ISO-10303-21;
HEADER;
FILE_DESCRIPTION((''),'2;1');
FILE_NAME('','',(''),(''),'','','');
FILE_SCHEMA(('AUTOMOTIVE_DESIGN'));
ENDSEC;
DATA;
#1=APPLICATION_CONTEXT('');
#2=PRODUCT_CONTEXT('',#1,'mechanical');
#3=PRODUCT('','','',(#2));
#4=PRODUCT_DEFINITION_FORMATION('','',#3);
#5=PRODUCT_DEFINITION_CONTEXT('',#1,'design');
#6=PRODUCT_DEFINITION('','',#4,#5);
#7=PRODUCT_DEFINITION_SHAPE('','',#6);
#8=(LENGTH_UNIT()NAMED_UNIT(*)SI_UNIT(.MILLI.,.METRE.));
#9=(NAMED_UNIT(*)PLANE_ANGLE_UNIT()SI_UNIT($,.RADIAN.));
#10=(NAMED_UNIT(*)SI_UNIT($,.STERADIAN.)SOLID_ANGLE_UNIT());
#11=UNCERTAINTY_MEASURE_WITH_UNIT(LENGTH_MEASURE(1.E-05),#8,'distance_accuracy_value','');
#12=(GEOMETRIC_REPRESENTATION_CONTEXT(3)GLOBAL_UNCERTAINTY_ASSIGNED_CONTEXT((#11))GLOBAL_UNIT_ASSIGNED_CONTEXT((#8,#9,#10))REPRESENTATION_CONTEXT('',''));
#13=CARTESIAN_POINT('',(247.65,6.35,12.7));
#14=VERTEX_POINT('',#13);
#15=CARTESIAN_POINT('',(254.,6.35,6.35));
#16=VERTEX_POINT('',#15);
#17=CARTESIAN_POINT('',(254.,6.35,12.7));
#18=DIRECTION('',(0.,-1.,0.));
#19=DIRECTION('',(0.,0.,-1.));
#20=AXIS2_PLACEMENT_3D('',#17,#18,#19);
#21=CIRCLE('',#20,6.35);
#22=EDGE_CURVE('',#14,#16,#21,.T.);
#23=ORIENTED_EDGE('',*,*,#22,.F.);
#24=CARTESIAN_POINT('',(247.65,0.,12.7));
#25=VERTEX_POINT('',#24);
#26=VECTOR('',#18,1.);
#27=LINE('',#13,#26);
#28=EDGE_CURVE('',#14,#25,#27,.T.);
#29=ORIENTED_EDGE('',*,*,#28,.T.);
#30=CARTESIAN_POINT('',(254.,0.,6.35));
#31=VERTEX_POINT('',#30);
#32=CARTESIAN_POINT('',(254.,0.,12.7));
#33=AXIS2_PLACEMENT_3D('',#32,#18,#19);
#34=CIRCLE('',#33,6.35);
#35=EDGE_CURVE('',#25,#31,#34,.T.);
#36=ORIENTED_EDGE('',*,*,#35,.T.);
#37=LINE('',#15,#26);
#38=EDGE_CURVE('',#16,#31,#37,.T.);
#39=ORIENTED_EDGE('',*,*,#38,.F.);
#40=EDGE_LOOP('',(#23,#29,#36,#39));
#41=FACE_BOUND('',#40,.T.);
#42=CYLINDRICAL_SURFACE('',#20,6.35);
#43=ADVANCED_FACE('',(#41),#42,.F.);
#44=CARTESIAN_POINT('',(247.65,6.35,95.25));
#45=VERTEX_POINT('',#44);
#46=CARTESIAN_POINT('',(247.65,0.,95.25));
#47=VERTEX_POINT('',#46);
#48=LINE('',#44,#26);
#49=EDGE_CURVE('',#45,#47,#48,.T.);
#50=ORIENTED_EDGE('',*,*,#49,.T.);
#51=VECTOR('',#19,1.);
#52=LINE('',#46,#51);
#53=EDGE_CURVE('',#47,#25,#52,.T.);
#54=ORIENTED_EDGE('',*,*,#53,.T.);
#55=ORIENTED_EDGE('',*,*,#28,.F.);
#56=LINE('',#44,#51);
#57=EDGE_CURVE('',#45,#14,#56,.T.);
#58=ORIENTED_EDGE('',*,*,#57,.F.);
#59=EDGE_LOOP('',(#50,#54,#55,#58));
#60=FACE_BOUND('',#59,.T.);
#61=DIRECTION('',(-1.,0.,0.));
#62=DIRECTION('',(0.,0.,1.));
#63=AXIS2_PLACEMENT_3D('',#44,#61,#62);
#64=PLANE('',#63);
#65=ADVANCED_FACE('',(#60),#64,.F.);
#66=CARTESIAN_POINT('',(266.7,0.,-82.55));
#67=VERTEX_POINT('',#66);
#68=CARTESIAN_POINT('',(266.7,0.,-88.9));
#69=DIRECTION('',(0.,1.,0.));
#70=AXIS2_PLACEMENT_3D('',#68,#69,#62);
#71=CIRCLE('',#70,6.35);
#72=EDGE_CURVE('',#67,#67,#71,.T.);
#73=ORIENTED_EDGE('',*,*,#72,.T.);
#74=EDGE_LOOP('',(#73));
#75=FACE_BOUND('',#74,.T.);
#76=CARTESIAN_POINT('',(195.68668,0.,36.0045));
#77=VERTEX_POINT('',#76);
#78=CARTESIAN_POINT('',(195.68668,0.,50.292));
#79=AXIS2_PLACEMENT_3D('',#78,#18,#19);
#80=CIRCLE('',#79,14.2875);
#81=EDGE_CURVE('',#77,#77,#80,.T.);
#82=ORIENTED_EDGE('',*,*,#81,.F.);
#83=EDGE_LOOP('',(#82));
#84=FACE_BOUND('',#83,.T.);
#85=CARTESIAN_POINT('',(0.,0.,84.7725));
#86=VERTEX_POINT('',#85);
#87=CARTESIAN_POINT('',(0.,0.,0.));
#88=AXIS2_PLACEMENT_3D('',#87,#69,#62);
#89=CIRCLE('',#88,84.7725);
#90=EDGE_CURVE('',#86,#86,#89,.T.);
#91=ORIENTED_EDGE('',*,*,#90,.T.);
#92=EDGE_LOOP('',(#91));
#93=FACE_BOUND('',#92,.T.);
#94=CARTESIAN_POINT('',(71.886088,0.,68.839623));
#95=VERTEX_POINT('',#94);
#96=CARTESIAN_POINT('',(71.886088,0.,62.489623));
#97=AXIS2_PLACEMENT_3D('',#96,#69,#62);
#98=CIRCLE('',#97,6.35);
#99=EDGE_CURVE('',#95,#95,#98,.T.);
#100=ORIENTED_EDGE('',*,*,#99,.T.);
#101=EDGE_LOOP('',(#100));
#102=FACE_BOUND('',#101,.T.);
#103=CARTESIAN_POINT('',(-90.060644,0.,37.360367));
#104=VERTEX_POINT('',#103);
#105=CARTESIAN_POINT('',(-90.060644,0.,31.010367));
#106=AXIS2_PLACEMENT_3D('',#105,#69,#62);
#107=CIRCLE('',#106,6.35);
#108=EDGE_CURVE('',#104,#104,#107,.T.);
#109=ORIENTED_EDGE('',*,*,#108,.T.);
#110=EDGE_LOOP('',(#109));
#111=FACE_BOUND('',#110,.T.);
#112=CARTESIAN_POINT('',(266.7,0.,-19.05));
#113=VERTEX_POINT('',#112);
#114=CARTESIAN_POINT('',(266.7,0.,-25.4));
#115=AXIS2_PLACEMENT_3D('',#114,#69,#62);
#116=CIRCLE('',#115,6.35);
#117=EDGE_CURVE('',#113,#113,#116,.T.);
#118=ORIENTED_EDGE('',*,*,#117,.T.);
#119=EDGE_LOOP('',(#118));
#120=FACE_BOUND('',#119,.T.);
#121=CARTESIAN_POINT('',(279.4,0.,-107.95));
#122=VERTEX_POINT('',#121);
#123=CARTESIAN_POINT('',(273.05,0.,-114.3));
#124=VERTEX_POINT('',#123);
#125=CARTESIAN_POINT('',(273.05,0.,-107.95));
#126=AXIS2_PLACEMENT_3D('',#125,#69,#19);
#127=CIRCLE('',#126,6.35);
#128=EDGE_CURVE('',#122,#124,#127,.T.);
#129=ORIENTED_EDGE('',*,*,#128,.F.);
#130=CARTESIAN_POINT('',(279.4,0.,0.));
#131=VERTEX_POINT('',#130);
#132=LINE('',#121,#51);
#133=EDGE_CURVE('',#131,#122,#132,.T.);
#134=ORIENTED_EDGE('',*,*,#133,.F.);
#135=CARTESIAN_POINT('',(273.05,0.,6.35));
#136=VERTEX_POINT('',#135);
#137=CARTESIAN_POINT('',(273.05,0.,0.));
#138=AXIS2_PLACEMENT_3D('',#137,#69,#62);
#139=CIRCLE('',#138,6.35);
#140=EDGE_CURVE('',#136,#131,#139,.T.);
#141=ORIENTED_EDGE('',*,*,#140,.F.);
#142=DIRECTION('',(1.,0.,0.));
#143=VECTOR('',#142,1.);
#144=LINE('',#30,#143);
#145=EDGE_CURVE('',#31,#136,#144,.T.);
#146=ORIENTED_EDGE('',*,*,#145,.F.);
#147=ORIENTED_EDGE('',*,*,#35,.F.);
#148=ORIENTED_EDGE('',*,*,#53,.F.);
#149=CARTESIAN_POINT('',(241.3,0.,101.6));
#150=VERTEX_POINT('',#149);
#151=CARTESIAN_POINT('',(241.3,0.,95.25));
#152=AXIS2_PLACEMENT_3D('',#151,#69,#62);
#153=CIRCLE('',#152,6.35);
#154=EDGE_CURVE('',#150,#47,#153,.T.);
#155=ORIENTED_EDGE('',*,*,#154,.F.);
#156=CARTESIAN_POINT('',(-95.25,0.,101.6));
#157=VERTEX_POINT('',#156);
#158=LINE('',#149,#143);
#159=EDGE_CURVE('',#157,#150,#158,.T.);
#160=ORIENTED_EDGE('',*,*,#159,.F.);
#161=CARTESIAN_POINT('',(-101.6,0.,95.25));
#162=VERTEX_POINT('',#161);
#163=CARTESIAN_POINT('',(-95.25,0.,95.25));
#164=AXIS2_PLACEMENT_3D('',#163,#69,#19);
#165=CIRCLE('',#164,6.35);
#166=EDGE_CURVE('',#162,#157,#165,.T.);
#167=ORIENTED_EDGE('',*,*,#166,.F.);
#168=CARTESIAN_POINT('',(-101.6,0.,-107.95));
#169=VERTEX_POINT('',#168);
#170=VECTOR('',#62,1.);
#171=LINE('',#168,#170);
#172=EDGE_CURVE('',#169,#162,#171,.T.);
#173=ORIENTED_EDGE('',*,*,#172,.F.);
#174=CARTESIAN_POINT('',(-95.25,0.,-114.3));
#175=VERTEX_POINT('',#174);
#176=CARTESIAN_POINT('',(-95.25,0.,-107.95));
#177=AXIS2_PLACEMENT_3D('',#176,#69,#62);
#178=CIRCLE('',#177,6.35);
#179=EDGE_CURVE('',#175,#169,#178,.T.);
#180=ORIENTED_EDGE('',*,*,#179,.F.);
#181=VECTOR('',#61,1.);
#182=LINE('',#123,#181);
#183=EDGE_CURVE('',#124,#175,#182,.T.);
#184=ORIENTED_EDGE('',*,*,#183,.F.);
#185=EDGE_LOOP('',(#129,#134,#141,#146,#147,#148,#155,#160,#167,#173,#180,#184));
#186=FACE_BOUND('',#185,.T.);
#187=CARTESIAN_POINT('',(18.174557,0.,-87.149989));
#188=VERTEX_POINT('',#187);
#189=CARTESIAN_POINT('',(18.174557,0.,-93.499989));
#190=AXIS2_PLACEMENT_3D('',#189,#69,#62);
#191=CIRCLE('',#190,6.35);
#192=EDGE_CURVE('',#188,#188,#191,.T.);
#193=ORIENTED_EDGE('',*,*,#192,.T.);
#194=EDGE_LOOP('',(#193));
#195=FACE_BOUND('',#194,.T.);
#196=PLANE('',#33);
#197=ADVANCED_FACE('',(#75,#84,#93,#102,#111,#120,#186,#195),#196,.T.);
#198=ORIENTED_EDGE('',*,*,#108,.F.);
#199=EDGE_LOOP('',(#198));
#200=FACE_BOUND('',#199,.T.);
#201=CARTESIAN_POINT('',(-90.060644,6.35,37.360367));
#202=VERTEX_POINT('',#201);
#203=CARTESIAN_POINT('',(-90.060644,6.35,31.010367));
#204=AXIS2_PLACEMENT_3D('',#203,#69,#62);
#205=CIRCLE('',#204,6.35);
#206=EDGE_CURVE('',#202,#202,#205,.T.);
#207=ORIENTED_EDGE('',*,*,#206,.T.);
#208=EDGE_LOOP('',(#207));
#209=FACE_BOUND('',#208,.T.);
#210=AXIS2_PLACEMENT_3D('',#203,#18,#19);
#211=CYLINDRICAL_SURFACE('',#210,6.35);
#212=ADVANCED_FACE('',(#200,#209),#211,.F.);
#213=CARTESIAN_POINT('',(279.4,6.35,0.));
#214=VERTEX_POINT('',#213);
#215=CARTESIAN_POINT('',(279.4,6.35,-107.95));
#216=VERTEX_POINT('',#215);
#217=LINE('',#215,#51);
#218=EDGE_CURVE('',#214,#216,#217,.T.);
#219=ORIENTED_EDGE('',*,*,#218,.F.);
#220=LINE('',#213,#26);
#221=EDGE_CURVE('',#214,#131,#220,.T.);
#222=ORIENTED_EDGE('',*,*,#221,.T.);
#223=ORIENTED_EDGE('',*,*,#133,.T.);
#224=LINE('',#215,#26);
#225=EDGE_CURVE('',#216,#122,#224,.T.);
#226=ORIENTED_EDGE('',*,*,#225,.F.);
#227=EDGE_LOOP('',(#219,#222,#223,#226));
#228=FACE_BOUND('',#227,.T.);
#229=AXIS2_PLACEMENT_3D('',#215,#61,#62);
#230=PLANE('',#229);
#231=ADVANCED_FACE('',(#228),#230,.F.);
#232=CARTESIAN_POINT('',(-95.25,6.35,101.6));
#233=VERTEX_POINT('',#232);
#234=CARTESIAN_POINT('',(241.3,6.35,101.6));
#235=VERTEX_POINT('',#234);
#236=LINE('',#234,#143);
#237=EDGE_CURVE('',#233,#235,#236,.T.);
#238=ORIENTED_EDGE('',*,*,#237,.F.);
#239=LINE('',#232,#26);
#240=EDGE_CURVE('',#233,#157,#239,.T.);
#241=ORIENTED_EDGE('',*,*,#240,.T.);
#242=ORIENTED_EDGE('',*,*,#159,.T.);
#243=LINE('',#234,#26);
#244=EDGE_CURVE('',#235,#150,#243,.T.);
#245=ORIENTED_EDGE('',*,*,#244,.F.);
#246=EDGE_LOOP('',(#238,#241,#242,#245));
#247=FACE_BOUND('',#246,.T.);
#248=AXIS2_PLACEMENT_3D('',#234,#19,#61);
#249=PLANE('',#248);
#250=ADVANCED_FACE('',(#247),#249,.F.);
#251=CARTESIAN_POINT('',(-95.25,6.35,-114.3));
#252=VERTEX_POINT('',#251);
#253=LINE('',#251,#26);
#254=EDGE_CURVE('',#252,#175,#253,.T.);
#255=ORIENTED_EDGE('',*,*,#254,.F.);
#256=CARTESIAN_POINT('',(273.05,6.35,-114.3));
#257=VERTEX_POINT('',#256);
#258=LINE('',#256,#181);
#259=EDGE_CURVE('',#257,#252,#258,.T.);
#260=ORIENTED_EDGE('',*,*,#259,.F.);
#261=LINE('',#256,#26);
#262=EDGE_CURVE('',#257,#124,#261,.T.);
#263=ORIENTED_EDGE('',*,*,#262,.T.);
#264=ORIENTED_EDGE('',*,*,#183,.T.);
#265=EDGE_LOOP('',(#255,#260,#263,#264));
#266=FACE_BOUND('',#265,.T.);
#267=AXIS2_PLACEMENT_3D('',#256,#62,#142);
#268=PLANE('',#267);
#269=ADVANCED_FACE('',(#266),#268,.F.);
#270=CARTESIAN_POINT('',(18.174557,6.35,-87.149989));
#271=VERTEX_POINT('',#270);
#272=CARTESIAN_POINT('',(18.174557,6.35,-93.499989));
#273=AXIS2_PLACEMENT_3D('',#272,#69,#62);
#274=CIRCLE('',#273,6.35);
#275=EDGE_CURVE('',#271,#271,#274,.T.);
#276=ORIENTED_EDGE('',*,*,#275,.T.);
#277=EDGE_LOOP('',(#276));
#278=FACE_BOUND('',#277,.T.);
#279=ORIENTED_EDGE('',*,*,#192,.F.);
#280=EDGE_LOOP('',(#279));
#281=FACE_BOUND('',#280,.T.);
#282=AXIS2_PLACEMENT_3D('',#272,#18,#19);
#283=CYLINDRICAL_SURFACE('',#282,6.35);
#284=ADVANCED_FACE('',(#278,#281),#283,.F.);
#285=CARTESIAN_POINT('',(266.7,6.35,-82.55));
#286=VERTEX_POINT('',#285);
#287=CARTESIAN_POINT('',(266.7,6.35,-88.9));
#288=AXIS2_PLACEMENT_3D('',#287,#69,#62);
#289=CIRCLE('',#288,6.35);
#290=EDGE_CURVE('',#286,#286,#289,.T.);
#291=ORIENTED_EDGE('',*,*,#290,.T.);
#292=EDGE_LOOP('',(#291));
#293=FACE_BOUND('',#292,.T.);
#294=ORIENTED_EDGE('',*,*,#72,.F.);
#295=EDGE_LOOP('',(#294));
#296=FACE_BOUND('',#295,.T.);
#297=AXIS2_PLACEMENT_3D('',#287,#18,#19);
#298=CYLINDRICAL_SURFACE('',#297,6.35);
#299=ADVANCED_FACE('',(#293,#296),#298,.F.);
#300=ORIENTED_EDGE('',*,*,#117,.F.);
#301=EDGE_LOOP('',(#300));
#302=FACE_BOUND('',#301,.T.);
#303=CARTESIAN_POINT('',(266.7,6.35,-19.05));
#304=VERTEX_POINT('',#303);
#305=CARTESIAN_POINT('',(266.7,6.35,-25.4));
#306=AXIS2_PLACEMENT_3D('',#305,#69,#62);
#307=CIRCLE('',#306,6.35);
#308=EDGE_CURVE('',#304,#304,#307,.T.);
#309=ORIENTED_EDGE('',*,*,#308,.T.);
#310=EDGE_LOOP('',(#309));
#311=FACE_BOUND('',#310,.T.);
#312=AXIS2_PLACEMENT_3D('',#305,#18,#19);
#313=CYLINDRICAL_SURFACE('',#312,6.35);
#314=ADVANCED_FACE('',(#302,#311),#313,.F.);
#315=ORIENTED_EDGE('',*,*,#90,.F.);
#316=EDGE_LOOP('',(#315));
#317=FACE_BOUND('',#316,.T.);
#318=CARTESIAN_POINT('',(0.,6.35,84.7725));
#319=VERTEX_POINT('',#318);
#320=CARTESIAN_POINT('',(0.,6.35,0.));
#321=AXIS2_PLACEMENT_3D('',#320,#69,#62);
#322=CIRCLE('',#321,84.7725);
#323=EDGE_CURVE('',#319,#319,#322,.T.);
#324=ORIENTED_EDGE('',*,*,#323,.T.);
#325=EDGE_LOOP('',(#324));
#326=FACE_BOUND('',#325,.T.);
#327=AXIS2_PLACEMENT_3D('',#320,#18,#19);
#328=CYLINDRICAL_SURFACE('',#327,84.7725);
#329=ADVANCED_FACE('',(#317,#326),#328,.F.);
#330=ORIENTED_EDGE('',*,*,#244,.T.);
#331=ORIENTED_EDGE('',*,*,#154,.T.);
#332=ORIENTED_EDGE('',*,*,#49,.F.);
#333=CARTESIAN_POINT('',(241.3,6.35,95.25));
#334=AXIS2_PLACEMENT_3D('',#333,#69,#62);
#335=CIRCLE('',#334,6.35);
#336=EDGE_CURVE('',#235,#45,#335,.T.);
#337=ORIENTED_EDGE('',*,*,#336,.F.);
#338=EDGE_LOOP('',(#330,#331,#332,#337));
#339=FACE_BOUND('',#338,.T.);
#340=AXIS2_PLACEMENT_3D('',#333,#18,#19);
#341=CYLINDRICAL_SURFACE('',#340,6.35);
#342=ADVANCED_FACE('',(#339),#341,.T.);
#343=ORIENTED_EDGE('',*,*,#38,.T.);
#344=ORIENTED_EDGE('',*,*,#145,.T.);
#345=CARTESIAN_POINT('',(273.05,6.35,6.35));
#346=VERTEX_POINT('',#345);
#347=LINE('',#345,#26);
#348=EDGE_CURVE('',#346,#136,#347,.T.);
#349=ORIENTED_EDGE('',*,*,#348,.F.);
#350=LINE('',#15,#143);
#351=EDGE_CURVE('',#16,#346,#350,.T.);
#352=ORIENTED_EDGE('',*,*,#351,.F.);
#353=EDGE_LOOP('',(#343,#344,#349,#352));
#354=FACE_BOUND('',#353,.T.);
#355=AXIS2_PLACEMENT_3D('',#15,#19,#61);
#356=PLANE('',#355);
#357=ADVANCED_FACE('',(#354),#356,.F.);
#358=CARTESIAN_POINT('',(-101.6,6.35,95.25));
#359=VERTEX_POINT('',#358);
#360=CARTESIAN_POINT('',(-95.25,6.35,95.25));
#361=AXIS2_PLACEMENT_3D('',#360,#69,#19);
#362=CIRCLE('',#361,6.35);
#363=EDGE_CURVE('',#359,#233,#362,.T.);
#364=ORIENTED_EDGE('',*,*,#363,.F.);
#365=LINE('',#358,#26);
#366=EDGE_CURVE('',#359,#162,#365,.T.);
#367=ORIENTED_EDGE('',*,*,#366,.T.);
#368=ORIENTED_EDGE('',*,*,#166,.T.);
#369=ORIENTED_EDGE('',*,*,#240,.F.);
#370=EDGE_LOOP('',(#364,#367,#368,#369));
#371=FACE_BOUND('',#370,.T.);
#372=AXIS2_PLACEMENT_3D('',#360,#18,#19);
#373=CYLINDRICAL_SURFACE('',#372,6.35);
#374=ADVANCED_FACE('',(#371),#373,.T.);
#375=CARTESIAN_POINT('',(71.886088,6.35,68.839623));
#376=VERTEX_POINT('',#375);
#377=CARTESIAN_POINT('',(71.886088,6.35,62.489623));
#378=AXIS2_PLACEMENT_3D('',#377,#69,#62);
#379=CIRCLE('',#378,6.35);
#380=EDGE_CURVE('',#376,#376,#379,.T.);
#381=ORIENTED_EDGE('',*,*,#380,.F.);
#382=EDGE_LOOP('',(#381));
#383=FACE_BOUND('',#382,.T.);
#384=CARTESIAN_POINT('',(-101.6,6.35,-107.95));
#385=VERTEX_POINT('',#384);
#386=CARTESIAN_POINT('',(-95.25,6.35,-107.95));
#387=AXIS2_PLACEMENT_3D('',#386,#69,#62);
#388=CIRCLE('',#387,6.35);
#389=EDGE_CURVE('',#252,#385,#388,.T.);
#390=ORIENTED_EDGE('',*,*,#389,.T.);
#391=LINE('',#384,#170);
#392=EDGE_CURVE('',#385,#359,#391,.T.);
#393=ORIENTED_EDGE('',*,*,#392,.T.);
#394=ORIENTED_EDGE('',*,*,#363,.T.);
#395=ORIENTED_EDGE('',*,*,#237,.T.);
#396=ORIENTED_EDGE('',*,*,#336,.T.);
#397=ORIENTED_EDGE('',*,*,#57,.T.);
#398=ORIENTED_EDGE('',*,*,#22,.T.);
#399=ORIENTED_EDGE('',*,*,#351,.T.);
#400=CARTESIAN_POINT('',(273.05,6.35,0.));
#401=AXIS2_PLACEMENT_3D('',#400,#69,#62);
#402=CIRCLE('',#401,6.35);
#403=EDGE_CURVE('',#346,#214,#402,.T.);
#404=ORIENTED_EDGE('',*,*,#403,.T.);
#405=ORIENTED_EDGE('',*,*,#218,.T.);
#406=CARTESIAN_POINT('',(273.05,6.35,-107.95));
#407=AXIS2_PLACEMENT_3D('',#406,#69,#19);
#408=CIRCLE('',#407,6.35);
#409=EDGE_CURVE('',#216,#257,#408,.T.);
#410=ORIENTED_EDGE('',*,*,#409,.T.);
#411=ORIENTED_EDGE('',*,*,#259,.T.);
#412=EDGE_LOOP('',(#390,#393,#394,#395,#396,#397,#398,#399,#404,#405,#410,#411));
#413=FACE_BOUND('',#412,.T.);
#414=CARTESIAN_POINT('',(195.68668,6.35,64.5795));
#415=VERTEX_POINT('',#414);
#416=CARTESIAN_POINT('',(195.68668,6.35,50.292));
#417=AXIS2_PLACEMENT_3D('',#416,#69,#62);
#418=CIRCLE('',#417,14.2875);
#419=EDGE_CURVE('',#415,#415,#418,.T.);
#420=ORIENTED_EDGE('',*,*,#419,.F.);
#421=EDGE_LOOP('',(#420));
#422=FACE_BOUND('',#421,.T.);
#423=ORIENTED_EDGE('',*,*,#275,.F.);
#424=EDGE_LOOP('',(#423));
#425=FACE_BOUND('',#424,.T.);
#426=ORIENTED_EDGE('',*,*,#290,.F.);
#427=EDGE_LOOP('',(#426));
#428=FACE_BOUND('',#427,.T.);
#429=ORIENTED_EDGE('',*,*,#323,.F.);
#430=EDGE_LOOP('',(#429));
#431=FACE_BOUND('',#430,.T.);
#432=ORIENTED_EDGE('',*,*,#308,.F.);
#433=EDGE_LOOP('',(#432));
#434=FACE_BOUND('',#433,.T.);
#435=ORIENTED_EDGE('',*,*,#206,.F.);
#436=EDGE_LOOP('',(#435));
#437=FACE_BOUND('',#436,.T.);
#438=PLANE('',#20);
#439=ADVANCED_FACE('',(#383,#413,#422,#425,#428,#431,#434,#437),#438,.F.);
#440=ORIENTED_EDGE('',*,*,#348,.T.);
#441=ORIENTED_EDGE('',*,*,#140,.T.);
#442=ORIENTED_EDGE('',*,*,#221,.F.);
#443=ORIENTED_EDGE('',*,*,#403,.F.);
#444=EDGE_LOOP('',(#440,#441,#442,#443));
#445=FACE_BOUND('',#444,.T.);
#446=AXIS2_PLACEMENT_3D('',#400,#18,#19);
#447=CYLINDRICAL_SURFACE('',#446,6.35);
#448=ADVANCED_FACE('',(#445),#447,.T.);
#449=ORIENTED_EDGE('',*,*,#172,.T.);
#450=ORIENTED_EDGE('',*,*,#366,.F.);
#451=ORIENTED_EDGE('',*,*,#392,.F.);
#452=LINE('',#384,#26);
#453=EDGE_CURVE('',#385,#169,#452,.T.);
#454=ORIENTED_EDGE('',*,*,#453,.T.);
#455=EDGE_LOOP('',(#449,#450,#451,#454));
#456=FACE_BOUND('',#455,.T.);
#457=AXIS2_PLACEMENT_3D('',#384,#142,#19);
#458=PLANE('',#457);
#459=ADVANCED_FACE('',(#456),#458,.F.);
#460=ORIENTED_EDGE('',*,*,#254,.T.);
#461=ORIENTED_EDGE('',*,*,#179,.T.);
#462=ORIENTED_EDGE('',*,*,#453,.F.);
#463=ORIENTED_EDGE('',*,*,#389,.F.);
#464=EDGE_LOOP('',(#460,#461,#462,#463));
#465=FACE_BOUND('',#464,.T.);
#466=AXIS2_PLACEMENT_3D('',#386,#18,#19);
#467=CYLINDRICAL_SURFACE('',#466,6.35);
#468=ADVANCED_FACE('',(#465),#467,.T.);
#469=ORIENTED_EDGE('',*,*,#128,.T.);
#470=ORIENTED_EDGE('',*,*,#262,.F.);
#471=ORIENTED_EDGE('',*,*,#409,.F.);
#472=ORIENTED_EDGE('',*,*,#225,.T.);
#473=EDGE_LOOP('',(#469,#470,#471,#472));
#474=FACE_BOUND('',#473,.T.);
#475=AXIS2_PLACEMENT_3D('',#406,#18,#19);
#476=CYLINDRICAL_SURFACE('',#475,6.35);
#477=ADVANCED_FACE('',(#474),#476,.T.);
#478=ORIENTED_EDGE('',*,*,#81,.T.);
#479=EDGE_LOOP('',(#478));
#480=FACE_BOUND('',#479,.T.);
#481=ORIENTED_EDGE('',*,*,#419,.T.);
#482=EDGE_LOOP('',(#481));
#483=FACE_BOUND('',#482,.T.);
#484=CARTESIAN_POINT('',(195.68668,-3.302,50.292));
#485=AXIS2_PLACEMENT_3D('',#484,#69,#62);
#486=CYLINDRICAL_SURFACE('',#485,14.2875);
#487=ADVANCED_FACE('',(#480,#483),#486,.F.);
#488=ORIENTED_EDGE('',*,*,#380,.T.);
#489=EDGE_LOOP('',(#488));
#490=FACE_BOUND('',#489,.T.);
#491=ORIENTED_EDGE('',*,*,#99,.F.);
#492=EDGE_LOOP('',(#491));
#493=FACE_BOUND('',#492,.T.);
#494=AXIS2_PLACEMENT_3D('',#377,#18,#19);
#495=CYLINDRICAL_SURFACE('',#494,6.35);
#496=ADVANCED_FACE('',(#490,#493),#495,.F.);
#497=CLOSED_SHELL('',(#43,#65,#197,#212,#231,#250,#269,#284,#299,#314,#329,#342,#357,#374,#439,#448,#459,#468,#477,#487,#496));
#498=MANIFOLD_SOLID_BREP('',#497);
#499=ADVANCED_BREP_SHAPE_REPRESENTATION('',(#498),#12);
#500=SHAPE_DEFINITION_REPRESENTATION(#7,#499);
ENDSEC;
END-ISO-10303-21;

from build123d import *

# Parameters (mm, degrees)
SKETCH1_R           = 84.7725
SKETCH1_R_2         = 6.35
BOSS_EXTRUDE1_DEPTH = 6.35
SKETCH4_R           = 14.2875
CUT_EXTRUDE1_DEPTH  = 9.652


with BuildPart() as part:
    # Sketch1 → Boss-Extrude1 (new body)
    with BuildSketch(Plane(origin=(0, 0, 0), x_dir=(1, 0, 0), z_dir=(0, 1, 0))):
        with BuildLine():
            Line((273.05, 114.3), (-95.25, 114.3))
            ThreePointArc((-95.25, 114.3), (-99.740128061, 112.440128061), (-101.6, 107.95))
            Line((-101.6, 107.95), (-101.6, -95.25))
            ThreePointArc((-101.6, -95.25), (-99.740128061, -99.740128061), (-95.25, -101.6))
            Line((-95.25, -101.6), (241.3, -101.6))
            ThreePointArc((241.3, -101.6), (245.790128061, -99.740128061), (247.65, -95.25))
            Line((247.65, -95.25), (247.65, -12.7))
            ThreePointArc((247.65, -12.7), (249.509871939, -8.209871939), (254, -6.35))
            Line((254, -6.35), (273.05, -6.35))
            ThreePointArc((273.05, -6.35), (277.540128061, -4.490128061), (279.4, 0))
            Line((279.4, 0), (279.4, 107.95))
            ThreePointArc((279.4, 107.95), (277.540128061, 112.440128061), (273.05, 114.3))
        make_face()
        with Locations(Location((0, 0, 0), (0, 0, 270))):
            Circle(SKETCH1_R, mode=Mode.SUBTRACT)
        with Locations(Location((-90.060644326, -31.010366712, 0), (0, 0, 270))):
            Circle(SKETCH1_R_2, mode=Mode.SUBTRACT)
        with Locations(Location((18.17455681, 93.499989223, 0), (0, 0, 270))):
            Circle(SKETCH1_R_2, mode=Mode.SUBTRACT)
        with Locations(Location((71.886087516, -62.489622511, 0), (0, 0, 270))):
            Circle(SKETCH1_R_2, mode=Mode.SUBTRACT)
        with Locations(Location((266.7, 88.9, 0), (0, 0, 270))):
            Circle(SKETCH1_R_2, mode=Mode.SUBTRACT)
        with Locations(Location((266.7, 25.4, 0), (0, 0, 270))):
            Circle(SKETCH1_R_2, mode=Mode.SUBTRACT)
    extrude(amount=BOSS_EXTRUDE1_DEPTH)

    # Sketch4 → Cut-Extrude1 (cut)
    with BuildSketch(Plane(origin=(0, 6.35, 0), x_dir=(1, 0, 0), z_dir=(0, 1, 0))):
        with Locations(Location((195.68668, -50.292, 0), (0, 0, 270))):
            Circle(SKETCH4_R)
    extrude(amount=-CUT_EXTRUDE1_DEPTH, mode=Mode.SUBTRACT)


solid = part.part
